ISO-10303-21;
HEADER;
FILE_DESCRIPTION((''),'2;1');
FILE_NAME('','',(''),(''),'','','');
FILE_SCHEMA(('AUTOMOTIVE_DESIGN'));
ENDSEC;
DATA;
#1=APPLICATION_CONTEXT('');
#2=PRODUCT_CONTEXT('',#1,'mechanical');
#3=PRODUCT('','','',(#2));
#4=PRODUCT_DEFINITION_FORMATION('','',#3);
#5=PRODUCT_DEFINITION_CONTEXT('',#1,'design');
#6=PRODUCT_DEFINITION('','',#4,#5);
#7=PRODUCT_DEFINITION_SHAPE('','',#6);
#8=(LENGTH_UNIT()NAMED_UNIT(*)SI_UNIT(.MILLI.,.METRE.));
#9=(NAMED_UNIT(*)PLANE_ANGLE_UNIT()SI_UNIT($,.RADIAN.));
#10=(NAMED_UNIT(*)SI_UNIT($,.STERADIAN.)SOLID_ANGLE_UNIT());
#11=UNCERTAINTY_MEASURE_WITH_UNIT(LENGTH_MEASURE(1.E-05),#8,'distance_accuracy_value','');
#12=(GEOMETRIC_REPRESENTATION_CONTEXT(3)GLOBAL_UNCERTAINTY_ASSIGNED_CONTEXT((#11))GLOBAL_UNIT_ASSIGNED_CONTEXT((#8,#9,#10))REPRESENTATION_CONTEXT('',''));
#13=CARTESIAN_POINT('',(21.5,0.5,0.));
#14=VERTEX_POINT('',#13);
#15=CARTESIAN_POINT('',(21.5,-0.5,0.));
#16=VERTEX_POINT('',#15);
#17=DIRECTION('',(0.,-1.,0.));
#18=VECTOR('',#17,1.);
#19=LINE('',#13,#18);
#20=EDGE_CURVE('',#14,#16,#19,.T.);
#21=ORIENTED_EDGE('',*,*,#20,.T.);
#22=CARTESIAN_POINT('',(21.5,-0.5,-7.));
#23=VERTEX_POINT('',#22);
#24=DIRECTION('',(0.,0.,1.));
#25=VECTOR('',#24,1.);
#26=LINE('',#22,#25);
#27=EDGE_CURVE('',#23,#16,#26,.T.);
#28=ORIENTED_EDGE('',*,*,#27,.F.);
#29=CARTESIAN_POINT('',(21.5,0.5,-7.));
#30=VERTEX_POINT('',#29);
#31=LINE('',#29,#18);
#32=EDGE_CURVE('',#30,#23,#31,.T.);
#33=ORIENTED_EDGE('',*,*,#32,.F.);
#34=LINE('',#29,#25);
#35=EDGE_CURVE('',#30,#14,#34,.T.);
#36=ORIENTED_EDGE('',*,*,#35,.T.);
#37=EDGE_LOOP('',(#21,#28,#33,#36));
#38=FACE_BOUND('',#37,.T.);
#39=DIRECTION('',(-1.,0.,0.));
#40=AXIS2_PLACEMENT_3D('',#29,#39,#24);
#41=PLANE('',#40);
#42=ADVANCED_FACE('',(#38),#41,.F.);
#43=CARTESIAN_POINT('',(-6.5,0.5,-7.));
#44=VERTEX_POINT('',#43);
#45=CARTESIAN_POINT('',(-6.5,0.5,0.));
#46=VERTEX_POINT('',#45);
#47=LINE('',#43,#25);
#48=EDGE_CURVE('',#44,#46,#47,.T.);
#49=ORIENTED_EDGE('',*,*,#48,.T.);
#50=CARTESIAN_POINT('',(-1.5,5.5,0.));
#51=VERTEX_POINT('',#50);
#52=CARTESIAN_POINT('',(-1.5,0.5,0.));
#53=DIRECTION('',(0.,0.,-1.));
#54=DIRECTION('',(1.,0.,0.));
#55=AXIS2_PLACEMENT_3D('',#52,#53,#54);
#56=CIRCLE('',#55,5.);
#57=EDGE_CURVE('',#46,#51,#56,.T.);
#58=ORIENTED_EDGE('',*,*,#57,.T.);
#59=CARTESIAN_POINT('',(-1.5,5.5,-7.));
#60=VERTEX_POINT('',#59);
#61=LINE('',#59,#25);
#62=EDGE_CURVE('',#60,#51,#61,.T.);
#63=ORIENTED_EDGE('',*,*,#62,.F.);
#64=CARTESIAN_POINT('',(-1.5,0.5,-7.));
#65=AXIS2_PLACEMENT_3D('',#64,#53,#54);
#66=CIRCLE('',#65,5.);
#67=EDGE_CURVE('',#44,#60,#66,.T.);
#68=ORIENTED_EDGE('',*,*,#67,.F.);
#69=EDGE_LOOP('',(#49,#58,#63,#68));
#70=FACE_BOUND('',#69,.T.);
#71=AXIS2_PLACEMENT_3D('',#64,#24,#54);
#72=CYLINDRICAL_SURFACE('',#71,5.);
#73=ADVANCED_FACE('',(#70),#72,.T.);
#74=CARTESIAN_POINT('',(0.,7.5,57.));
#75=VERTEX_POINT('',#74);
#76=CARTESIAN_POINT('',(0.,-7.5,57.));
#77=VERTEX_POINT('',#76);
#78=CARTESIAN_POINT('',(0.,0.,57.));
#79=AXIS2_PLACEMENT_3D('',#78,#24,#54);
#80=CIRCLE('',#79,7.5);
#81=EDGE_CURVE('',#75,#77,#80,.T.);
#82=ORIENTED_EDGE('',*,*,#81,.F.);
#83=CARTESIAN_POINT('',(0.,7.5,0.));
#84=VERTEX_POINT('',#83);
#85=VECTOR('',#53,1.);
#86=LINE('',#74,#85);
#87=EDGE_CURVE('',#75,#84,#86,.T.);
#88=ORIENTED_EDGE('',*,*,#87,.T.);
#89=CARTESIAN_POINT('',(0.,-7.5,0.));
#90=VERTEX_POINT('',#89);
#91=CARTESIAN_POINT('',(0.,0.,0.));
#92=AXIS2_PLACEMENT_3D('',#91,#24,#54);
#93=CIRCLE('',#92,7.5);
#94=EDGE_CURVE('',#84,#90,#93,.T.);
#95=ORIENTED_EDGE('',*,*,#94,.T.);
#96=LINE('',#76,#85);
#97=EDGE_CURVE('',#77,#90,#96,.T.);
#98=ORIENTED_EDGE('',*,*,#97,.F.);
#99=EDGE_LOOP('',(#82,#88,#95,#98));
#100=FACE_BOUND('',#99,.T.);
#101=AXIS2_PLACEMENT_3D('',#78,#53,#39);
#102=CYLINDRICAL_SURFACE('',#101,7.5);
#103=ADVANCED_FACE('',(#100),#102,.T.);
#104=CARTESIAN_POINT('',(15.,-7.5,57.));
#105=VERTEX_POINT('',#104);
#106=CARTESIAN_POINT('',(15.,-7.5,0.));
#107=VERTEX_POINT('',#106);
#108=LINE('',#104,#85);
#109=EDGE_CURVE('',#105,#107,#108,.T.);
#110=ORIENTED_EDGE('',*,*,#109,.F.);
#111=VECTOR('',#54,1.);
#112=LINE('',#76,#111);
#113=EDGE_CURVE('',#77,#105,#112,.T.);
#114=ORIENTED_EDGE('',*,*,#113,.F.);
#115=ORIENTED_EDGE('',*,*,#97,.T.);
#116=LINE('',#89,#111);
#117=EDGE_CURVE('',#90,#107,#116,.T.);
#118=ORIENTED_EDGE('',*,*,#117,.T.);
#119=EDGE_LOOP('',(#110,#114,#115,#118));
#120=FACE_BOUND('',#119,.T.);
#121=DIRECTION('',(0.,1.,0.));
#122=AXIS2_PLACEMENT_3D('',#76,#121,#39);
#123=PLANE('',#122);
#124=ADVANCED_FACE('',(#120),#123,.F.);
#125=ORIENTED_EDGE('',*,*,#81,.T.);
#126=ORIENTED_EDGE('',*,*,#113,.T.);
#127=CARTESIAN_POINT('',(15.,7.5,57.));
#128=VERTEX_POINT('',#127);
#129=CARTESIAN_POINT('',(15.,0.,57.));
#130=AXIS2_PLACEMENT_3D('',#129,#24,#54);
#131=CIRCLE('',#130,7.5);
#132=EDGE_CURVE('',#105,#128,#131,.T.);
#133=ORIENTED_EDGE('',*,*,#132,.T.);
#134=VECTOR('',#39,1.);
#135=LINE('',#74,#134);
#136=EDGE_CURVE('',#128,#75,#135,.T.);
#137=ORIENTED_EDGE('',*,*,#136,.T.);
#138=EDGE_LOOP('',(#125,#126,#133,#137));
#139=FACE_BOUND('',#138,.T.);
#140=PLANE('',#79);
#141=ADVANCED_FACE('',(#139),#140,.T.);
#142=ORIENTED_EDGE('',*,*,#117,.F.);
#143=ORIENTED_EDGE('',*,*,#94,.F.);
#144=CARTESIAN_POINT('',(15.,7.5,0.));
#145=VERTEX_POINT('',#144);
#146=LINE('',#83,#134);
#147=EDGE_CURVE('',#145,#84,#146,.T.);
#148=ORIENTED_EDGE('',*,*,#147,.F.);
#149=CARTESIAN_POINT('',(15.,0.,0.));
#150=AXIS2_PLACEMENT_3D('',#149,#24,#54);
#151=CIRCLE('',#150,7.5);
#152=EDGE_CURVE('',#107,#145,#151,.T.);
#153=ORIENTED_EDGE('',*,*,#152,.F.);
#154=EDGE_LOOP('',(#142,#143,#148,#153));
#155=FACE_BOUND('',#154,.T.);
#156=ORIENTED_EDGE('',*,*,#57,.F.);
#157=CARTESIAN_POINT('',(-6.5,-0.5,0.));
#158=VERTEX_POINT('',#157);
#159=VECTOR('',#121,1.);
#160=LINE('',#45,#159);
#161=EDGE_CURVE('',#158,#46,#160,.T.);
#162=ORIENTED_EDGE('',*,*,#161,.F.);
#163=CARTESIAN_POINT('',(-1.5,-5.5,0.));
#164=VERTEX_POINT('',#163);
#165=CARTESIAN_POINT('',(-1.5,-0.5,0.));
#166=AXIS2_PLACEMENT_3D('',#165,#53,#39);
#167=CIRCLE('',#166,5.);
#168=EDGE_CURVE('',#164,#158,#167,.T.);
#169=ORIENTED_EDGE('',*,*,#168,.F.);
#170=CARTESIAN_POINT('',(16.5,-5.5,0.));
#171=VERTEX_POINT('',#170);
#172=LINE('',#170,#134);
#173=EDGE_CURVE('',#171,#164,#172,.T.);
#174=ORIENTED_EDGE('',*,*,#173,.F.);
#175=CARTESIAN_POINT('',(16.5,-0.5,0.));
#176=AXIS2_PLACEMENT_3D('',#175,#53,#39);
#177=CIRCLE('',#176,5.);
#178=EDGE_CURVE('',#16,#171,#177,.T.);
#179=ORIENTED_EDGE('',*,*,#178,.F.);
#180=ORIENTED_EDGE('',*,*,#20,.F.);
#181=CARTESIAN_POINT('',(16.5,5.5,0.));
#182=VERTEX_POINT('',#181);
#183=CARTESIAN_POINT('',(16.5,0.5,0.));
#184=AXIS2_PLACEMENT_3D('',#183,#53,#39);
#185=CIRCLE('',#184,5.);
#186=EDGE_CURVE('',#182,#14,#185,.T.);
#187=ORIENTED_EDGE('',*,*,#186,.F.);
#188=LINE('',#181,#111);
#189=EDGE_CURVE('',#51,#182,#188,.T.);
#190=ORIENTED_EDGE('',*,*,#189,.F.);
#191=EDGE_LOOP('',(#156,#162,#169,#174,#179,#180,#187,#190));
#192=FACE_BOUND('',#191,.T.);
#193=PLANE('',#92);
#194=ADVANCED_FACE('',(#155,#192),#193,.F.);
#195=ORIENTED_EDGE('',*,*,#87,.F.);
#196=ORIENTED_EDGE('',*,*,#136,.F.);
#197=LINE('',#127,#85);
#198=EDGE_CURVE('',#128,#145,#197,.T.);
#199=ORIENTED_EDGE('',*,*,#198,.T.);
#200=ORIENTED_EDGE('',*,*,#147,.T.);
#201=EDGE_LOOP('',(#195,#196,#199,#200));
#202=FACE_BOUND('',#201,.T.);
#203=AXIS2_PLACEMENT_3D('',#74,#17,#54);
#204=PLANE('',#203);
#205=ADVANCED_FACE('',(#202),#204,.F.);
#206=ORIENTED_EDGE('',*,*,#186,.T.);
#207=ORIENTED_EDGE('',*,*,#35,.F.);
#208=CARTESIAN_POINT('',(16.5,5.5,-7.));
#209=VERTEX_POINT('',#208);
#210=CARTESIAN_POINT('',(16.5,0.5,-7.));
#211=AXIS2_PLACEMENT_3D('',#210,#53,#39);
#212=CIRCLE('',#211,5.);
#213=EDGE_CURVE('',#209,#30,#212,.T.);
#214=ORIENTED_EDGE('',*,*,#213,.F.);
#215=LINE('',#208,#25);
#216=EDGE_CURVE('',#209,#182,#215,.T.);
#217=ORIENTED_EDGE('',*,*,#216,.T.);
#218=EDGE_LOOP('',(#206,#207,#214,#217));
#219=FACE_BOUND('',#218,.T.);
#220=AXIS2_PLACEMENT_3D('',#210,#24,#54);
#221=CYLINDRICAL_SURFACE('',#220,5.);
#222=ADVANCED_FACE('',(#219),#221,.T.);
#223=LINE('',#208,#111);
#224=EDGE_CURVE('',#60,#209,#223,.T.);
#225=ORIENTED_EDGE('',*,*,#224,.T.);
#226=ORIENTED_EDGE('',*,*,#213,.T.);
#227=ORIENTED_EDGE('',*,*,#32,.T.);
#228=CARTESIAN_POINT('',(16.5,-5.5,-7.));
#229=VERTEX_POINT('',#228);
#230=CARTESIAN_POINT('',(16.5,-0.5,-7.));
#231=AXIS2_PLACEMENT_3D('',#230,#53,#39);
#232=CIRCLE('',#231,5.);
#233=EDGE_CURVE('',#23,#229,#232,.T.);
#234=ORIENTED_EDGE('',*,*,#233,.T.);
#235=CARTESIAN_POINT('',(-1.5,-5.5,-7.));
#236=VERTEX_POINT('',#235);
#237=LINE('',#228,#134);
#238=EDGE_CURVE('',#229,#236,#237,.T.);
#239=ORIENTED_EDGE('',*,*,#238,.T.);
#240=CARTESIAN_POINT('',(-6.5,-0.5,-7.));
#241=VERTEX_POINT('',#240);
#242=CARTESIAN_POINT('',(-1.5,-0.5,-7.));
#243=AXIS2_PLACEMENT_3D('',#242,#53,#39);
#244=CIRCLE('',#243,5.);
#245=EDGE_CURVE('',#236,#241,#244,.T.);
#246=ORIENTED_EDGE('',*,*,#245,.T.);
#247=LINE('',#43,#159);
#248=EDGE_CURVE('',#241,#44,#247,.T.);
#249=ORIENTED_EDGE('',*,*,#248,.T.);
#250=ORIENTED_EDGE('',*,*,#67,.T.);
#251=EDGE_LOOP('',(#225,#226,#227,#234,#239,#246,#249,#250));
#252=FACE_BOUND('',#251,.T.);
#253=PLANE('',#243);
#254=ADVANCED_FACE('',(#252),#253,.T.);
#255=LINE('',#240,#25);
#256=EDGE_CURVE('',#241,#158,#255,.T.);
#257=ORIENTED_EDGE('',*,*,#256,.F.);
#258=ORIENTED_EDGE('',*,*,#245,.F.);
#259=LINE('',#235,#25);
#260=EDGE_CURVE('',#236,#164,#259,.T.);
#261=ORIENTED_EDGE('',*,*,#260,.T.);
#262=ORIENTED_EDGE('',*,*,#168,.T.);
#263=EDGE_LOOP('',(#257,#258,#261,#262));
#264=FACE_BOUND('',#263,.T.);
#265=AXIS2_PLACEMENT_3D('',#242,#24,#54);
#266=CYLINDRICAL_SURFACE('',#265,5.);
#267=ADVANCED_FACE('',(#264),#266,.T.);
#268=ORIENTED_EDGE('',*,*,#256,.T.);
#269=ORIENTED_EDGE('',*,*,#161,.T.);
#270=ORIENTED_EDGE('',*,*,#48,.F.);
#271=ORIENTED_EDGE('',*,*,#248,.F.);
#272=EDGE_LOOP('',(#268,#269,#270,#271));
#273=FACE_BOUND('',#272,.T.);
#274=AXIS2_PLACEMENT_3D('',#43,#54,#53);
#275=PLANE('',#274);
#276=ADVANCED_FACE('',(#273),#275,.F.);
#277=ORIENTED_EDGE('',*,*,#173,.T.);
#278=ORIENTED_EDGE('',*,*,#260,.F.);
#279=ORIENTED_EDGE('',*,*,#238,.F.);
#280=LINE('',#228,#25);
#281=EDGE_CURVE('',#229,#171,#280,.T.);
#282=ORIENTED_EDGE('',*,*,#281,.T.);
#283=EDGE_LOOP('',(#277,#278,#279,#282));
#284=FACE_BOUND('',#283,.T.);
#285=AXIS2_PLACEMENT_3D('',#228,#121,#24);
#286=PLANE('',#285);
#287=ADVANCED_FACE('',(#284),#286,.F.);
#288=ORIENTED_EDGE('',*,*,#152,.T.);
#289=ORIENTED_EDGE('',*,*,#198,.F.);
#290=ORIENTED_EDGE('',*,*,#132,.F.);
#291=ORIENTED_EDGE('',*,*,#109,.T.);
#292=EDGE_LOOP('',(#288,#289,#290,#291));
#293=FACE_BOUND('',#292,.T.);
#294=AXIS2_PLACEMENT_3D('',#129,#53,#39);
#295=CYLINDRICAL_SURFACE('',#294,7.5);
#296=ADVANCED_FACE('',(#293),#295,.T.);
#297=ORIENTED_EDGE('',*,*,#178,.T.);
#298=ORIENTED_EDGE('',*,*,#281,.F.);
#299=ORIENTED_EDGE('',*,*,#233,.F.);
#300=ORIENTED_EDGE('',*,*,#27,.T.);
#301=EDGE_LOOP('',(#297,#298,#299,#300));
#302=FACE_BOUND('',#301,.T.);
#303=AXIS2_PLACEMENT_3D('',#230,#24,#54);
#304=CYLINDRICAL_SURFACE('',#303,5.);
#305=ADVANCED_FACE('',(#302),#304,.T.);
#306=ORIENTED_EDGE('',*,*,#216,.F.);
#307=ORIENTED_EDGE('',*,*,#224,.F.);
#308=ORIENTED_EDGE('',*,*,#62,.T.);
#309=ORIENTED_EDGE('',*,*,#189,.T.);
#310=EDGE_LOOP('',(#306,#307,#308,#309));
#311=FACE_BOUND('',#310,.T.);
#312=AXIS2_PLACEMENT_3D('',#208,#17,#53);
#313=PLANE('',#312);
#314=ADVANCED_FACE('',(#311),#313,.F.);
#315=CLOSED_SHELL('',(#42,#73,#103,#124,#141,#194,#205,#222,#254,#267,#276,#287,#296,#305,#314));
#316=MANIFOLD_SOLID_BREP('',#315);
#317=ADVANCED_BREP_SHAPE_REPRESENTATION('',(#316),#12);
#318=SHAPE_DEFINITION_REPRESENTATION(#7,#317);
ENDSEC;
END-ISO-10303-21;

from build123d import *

# Parameters (mm, degrees)
BOSS_EXTRUDE1_DEPTH = 57
BOSS_EXTRUDE2_DEPTH = 7


with BuildPart() as part:
    # Sketch1 → Boss-Extrude1 (new body)
    with BuildSketch(Plane.XY):
        with BuildLine():
            Line((0, 7.5), (15, 7.5))
            ThreePointArc((15, 7.5), (22.5, 0), (15, -7.5))
            Line((15, -7.5), (0, -7.5))
            ThreePointArc((0, -7.5), (-7.5, 0), (0, 7.5))
        make_face()
    extrude(amount=BOSS_EXTRUDE1_DEPTH)

    # Sketch3 → Boss-Extrude2 (add)
    with BuildSketch(Plane(origin=(0, 0, 0), x_dir=(-1, 0, 0), z_dir=(0, 0, -1))):
        with BuildLine():
            Line((-16.5, 5.5), (1.5, 5.5))
            ThreePointArc((1.5, 5.5), (5.035533906, 4.035533906), (6.5, 0.5))
            Line((6.5, 0.5), (6.5, -0.5))
            ThreePointArc((6.5, -0.5), (5.035533906, -4.035533906), (1.5, -5.5))
            Line((1.5, -5.5), (-16.5, -5.5))
            ThreePointArc((-16.5, -5.5), (-20.035533906, -4.035533906), (-21.5, -0.5))
            Line((-21.5, -0.5), (-21.5, 0.5))
            ThreePointArc((-21.5, 0.5), (-20.035533906, 4.035533906), (-16.5, 5.5))
        make_face()
    extrude(amount=BOSS_EXTRUDE2_DEPTH)


solid = part.part
